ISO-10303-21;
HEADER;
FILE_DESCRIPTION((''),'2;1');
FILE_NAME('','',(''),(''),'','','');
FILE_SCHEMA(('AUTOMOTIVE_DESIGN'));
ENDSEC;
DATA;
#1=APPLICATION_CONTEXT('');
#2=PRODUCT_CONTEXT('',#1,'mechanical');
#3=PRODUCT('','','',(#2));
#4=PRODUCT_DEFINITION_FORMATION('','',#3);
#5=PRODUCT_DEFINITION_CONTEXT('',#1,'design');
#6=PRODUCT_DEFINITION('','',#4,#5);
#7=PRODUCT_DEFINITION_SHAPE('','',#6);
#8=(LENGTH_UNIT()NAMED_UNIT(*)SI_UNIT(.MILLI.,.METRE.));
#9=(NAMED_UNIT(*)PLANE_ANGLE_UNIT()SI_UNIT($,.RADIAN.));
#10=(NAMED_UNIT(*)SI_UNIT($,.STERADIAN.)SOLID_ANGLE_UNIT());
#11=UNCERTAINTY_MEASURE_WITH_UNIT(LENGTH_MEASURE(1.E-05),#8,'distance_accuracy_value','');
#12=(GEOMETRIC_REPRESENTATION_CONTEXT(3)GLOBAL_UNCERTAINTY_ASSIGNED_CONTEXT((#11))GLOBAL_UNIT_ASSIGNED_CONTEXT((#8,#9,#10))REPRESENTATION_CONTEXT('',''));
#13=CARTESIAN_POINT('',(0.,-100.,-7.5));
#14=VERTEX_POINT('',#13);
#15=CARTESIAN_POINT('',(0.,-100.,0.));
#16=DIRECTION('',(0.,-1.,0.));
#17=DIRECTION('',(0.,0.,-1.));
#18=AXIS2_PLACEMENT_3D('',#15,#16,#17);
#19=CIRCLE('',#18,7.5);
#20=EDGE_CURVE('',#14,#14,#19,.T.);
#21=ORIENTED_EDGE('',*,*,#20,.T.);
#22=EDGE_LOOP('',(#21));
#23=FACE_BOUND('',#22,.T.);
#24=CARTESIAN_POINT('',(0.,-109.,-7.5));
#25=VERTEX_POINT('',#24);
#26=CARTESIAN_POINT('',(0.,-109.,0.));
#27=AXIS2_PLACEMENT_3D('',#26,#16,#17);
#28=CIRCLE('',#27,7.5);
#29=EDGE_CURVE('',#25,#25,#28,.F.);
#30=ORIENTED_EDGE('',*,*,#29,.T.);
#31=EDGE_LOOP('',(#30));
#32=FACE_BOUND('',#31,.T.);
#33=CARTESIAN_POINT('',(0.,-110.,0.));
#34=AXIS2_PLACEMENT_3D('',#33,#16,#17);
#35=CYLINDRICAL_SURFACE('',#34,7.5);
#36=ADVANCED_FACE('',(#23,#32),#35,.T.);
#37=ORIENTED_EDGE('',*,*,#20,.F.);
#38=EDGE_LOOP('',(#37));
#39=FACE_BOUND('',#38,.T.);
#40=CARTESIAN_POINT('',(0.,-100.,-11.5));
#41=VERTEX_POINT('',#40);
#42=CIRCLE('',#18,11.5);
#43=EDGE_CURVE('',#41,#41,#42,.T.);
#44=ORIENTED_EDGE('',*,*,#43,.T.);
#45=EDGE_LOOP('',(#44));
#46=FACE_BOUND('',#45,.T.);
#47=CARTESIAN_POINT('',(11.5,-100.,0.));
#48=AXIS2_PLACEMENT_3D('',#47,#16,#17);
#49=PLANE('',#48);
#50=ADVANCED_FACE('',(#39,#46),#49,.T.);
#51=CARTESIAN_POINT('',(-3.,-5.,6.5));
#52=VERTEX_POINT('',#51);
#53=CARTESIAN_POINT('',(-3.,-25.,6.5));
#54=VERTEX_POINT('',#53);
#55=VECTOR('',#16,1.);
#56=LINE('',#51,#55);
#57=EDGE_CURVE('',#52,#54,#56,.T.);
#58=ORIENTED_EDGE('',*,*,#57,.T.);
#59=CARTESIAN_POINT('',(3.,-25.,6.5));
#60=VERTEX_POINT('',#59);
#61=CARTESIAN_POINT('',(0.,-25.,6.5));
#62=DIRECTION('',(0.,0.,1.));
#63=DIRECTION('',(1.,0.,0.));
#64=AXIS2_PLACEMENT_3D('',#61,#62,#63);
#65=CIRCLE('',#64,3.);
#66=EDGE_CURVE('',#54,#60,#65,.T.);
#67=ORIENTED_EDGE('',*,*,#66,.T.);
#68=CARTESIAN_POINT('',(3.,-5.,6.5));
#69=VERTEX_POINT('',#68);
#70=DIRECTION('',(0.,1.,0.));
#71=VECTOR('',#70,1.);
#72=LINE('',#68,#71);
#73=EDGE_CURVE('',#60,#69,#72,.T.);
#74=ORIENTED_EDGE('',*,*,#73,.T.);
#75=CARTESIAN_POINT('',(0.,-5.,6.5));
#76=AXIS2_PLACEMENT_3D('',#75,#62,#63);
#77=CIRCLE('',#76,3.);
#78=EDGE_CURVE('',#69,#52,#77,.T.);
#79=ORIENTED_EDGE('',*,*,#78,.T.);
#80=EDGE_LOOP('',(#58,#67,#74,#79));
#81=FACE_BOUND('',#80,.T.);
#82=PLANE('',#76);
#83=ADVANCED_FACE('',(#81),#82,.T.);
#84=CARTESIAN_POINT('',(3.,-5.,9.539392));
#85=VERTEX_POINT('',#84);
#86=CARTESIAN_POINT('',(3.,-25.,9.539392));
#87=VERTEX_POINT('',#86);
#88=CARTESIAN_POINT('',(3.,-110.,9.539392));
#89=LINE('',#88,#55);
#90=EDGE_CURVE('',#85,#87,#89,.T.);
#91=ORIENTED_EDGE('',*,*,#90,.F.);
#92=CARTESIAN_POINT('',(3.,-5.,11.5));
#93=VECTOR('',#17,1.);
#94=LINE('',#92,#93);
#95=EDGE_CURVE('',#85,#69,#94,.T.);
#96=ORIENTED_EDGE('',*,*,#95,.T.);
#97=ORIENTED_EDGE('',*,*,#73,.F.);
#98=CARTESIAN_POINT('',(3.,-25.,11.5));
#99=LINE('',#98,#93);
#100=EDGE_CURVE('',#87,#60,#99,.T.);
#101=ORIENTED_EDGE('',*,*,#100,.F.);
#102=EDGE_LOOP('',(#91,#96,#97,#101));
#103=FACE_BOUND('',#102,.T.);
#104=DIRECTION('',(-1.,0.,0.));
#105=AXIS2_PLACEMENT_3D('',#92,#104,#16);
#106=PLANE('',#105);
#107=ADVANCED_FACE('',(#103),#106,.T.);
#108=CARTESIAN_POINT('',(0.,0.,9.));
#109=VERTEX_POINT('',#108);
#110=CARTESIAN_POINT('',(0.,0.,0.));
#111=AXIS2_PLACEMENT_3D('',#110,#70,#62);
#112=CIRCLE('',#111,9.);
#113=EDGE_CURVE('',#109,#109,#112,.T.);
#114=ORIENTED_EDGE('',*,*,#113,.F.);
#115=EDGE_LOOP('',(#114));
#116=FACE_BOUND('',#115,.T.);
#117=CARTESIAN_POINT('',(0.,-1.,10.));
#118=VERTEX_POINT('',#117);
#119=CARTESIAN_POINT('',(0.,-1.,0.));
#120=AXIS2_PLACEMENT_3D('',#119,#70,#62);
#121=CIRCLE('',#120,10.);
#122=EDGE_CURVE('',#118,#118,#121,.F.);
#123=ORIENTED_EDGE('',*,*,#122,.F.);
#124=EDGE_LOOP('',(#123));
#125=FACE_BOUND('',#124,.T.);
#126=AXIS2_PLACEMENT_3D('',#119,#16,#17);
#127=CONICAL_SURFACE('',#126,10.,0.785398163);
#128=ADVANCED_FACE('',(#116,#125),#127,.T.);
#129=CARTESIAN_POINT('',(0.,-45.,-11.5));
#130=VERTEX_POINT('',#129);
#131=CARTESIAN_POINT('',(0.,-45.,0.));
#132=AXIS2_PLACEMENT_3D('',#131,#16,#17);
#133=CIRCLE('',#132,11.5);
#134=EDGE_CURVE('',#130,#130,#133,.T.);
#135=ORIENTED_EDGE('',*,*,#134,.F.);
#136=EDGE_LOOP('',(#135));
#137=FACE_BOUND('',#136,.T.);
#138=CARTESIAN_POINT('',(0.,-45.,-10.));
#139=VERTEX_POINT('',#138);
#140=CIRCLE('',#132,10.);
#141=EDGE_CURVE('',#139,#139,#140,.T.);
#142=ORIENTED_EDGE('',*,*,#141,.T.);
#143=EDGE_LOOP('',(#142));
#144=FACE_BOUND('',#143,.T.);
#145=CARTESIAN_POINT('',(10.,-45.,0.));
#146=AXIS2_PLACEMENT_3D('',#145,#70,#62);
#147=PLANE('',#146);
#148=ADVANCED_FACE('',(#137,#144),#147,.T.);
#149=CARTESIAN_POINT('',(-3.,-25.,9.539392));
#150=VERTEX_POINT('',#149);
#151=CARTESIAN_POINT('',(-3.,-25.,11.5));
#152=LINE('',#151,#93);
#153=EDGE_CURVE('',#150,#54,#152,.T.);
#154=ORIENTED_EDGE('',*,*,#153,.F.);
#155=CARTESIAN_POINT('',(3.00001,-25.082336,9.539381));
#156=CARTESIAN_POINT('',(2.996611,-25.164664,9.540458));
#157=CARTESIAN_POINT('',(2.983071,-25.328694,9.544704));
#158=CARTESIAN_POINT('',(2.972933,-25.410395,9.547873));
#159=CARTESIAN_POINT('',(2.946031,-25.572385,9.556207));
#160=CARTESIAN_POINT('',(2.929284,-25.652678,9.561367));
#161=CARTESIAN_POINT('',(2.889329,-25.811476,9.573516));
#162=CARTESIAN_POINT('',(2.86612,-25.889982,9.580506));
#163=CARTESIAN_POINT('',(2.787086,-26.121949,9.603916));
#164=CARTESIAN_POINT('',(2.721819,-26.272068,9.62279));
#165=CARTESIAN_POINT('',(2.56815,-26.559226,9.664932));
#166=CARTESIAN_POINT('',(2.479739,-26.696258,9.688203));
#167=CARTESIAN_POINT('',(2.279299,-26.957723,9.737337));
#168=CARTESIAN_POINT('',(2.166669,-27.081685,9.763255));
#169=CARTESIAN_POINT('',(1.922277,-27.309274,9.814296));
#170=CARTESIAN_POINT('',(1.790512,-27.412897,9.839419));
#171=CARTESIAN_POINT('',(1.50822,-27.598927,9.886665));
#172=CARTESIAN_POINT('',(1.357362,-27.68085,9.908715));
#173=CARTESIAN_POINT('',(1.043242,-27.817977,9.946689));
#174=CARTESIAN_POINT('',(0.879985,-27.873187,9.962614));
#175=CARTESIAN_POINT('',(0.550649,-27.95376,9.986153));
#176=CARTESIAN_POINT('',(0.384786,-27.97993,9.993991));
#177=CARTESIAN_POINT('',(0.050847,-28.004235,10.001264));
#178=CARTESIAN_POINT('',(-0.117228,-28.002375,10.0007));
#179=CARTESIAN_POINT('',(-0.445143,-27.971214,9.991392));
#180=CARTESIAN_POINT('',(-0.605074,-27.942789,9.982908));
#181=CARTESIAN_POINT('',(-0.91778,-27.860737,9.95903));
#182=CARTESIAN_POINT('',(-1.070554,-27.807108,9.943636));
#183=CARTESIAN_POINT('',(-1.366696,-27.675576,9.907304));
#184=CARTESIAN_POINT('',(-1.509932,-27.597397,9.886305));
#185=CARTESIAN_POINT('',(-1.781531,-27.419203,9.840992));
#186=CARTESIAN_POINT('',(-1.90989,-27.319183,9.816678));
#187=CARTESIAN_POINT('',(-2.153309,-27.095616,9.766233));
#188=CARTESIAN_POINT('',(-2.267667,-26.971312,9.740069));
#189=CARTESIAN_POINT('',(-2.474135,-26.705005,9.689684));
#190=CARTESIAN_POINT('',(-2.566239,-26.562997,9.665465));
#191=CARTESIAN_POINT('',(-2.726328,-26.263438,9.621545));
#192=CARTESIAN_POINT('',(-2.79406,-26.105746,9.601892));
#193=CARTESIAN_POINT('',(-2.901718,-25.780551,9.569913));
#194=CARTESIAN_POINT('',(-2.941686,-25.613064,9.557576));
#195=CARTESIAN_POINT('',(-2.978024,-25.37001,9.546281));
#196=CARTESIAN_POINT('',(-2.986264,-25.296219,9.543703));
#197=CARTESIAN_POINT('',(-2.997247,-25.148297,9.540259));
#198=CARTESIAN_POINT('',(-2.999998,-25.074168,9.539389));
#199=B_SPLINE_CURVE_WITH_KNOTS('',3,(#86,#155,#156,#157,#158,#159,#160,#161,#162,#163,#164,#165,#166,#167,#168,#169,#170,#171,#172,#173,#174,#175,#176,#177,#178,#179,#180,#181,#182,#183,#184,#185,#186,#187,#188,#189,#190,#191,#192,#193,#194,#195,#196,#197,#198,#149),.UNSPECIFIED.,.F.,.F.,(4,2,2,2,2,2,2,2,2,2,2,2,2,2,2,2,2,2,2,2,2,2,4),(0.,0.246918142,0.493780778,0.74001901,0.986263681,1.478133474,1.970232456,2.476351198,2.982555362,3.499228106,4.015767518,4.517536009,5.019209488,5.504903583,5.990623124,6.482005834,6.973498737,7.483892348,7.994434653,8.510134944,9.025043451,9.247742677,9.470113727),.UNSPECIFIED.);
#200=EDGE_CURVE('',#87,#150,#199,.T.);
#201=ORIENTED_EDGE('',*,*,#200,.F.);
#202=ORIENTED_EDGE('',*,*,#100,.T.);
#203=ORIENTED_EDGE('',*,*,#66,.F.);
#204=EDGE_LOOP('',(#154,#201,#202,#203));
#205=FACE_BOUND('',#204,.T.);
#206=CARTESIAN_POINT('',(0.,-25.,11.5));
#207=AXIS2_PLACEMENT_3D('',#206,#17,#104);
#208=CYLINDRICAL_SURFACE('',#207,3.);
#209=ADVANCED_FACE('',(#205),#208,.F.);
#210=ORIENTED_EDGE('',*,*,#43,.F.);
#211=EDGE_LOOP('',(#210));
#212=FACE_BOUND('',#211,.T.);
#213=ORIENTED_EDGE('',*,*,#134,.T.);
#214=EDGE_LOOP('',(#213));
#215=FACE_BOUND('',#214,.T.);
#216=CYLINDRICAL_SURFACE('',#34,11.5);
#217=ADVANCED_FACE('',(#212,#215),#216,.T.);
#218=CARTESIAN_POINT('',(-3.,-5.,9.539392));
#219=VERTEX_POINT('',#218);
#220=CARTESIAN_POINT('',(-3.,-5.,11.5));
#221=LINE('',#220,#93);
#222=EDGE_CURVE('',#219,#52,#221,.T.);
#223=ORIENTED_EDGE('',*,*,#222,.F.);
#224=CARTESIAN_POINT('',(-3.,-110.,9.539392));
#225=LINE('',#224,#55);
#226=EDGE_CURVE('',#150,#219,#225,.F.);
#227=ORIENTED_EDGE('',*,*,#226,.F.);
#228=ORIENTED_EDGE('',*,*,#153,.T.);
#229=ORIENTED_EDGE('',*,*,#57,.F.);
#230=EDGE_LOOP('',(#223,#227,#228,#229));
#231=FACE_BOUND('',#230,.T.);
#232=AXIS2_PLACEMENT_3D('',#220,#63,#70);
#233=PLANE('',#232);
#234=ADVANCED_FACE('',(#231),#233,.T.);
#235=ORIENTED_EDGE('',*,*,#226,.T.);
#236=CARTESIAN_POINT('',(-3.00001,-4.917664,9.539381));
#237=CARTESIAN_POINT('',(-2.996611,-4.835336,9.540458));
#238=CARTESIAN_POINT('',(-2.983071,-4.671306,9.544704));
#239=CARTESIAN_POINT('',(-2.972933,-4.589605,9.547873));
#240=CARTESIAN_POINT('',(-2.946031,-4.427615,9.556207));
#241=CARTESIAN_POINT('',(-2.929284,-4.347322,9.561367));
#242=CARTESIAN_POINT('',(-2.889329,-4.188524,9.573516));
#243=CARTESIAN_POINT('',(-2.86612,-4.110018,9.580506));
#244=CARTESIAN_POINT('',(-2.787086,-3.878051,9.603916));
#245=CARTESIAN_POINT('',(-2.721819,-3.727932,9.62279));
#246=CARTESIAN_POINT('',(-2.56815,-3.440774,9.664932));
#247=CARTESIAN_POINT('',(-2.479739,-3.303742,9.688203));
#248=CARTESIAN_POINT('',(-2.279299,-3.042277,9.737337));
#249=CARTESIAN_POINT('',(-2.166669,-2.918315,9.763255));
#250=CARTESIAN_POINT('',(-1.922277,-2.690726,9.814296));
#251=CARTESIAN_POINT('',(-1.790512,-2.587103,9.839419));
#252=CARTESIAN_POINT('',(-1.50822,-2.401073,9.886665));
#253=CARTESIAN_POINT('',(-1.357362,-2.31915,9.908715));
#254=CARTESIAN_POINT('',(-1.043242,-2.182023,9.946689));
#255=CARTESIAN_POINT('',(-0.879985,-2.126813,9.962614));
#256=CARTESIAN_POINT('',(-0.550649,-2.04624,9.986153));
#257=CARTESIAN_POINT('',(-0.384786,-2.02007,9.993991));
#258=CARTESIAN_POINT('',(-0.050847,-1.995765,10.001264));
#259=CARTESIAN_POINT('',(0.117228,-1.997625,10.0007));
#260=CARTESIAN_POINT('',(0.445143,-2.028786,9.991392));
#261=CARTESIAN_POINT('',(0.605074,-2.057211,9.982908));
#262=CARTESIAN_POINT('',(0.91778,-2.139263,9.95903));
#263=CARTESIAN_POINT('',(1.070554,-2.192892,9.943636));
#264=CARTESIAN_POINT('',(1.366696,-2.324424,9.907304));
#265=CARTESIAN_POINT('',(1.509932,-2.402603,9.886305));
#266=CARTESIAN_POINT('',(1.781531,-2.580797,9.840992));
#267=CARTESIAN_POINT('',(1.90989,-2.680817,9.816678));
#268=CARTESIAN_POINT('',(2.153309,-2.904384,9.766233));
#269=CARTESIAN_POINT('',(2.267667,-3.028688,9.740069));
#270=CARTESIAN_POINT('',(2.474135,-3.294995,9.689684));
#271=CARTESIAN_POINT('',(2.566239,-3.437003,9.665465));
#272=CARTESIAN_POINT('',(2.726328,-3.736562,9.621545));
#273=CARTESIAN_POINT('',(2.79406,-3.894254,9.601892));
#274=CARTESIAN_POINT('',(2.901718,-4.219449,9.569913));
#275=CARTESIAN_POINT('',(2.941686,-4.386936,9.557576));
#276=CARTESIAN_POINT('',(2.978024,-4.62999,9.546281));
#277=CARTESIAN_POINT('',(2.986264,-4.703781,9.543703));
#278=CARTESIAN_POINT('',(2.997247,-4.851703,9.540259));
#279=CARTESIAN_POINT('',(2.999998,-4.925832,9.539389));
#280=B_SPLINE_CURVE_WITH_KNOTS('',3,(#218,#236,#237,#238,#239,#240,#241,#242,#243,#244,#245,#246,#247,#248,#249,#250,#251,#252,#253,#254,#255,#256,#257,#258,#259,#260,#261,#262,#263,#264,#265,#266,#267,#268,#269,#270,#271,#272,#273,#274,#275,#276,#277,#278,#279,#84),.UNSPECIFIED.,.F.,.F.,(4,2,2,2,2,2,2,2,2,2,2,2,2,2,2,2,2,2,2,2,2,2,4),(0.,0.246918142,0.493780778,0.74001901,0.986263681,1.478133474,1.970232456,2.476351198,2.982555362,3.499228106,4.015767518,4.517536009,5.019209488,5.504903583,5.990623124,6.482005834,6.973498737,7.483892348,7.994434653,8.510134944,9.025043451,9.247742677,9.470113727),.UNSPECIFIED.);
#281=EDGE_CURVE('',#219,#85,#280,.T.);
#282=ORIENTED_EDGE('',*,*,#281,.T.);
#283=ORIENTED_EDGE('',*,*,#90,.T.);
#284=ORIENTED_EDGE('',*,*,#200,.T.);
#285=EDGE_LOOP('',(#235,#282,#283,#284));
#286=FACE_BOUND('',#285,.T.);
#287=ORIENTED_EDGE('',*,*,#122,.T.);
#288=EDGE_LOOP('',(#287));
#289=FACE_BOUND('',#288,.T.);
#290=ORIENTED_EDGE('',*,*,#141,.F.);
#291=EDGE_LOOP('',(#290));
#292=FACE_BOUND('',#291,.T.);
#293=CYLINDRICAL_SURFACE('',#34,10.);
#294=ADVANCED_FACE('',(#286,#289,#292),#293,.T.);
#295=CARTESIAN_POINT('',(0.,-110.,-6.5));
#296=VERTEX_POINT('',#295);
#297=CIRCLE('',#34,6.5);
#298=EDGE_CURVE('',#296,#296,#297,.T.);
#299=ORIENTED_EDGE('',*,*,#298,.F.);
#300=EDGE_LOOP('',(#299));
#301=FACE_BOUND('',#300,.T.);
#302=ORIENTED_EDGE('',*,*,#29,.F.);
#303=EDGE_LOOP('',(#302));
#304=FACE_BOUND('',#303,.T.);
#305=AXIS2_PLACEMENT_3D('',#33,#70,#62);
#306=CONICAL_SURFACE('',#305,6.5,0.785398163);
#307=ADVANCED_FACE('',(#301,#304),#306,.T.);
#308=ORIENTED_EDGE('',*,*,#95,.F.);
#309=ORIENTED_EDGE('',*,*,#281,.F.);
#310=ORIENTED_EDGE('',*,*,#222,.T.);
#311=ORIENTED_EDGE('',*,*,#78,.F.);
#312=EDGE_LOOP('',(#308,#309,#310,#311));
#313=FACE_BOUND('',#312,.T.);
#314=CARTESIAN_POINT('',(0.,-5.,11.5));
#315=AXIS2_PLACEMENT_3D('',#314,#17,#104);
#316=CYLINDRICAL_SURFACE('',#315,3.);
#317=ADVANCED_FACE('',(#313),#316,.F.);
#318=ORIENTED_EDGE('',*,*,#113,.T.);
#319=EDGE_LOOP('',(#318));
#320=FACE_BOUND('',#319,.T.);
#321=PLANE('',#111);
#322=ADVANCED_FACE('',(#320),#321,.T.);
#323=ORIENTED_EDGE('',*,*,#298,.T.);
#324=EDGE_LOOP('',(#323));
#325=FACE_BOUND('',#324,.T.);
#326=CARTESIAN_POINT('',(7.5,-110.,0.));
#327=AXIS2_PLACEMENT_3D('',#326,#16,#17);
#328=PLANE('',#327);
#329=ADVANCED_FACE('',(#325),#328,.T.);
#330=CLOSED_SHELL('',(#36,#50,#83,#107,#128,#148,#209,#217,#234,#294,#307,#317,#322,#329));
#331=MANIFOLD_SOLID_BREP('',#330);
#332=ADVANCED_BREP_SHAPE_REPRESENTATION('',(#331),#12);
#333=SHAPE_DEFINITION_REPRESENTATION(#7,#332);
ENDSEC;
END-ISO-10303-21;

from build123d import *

# Parameters (mm, degrees)
CHAMFER_1_SIZE      = 1
CUT_EXTRUDE_1_DEPTH = 6
CHAMFER_2_SIZE      = 1


with BuildPart() as part:
    # 草图1 → 旋转1 (revolve)
    with BuildSketch(Plane.XY):
        Polygon((0, 0), (10, 0), (10, -45), (11.5, -45), (11.5, -100), (7.5, -100), (7.5, -110), (0, -110), align=None)
    revolve(axis=Axis((0, -110, 0), (0, 1, 0)))

    # 倒角1
    chamfer_1_edges = [part.edges().sort_by_distance(p)[0] for p in [
        (-10, 0, 0),
    ]]
    chamfer(chamfer_1_edges, length=CHAMFER_1_SIZE)

    # 草图2 → 切除-拉伸1 (cut, through all)
    with BuildSketch(Plane.XY.offset(6.5)):
        with BuildLine():
            Line((3, -5), (3, -25))
            ThreePointArc((3, -25), (0, -28), (-3, -25))
            Line((-3, -25), (-3, -5))
            ThreePointArc((-3, -5), (0, -2), (3, -5))
        make_face()
    extrude(amount=CUT_EXTRUDE_1_DEPTH, mode=Mode.SUBTRACT)

    # 倒角2
    chamfer_2_edges = [part.edges().sort_by_distance(p)[0] for p in [
        (-7.5, -110, 0),
    ]]
    chamfer(chamfer_2_edges, length=CHAMFER_2_SIZE)


solid = part.part
